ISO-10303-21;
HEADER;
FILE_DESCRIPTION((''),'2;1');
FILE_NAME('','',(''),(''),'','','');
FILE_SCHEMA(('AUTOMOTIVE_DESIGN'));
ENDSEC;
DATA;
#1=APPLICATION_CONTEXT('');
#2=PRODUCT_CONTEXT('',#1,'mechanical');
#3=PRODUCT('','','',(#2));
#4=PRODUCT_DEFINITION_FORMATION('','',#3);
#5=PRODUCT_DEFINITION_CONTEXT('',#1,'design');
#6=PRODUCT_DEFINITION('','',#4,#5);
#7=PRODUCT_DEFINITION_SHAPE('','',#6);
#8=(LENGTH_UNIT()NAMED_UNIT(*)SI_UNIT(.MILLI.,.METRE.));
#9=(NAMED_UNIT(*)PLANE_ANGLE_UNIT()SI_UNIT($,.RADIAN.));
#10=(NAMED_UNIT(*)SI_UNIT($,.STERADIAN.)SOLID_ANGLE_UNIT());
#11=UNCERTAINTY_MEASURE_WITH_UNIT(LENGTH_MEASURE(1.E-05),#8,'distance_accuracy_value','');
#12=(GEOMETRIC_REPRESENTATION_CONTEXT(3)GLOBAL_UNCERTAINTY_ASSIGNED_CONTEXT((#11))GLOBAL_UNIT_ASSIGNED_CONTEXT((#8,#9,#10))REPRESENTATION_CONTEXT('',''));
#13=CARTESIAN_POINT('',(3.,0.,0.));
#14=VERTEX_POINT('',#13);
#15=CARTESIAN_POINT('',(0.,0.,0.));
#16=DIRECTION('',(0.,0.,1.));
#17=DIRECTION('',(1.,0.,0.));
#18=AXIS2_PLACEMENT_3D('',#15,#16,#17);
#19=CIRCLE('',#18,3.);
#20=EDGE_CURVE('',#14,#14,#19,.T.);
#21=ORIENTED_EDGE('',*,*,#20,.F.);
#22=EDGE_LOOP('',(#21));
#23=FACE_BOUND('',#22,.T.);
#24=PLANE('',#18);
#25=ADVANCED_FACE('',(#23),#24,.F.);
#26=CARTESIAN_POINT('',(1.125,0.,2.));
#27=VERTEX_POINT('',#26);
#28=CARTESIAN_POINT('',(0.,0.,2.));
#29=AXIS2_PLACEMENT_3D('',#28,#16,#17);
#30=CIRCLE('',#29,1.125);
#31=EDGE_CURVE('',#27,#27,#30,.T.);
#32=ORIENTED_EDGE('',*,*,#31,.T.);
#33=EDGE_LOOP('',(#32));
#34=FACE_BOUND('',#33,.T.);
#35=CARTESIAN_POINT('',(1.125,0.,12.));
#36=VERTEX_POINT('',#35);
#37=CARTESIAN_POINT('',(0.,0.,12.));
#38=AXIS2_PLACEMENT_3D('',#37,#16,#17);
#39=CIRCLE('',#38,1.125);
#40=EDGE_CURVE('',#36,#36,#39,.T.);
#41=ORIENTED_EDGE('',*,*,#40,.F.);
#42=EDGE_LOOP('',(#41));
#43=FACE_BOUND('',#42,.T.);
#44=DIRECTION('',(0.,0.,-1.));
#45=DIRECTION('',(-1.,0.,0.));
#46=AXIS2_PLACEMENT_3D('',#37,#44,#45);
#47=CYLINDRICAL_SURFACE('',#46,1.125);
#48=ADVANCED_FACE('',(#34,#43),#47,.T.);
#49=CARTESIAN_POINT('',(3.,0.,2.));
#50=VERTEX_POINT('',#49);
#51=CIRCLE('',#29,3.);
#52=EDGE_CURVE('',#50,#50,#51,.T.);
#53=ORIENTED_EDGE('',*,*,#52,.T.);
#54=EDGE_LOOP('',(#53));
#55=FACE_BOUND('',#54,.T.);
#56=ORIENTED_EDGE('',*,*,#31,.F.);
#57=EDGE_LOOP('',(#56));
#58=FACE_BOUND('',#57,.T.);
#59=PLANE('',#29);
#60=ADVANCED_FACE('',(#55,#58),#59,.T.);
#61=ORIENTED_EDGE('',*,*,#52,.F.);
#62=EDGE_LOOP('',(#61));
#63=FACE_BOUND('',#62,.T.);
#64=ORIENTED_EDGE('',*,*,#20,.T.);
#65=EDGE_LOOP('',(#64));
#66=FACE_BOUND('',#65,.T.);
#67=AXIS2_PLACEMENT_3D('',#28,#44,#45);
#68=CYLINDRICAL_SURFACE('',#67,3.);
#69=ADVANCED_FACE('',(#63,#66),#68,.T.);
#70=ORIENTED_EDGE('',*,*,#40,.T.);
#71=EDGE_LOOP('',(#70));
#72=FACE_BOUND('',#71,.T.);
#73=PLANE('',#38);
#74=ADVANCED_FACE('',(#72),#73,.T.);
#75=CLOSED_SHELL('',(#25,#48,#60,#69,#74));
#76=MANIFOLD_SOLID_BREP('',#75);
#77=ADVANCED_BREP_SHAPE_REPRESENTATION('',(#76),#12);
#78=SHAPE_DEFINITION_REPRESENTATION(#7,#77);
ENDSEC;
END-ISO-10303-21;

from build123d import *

# Parameters (mm, degrees)
SKETCH1_R           = 1.125
BOSS_EXTRUDE1_DEPTH = 12
SKETCH1_3_R         = 3
SKETCH1_3_R_2       = 1.125
BOSS_EXTRUDE2_DEPTH = 2


with BuildPart() as part:
    # Sketch1 → Boss-Extrude1 (new body)
    with BuildSketch(Plane.XY):
        Circle(SKETCH1_R)
    extrude(amount=BOSS_EXTRUDE1_DEPTH)

    # Sketch1<3> → Boss-Extrude2 (add)
    with BuildSketch(Plane.XY):
        Circle(SKETCH1_3_R)
        Circle(SKETCH1_3_R_2, mode=Mode.SUBTRACT)
    extrude(amount=BOSS_EXTRUDE2_DEPTH)


solid = part.part
